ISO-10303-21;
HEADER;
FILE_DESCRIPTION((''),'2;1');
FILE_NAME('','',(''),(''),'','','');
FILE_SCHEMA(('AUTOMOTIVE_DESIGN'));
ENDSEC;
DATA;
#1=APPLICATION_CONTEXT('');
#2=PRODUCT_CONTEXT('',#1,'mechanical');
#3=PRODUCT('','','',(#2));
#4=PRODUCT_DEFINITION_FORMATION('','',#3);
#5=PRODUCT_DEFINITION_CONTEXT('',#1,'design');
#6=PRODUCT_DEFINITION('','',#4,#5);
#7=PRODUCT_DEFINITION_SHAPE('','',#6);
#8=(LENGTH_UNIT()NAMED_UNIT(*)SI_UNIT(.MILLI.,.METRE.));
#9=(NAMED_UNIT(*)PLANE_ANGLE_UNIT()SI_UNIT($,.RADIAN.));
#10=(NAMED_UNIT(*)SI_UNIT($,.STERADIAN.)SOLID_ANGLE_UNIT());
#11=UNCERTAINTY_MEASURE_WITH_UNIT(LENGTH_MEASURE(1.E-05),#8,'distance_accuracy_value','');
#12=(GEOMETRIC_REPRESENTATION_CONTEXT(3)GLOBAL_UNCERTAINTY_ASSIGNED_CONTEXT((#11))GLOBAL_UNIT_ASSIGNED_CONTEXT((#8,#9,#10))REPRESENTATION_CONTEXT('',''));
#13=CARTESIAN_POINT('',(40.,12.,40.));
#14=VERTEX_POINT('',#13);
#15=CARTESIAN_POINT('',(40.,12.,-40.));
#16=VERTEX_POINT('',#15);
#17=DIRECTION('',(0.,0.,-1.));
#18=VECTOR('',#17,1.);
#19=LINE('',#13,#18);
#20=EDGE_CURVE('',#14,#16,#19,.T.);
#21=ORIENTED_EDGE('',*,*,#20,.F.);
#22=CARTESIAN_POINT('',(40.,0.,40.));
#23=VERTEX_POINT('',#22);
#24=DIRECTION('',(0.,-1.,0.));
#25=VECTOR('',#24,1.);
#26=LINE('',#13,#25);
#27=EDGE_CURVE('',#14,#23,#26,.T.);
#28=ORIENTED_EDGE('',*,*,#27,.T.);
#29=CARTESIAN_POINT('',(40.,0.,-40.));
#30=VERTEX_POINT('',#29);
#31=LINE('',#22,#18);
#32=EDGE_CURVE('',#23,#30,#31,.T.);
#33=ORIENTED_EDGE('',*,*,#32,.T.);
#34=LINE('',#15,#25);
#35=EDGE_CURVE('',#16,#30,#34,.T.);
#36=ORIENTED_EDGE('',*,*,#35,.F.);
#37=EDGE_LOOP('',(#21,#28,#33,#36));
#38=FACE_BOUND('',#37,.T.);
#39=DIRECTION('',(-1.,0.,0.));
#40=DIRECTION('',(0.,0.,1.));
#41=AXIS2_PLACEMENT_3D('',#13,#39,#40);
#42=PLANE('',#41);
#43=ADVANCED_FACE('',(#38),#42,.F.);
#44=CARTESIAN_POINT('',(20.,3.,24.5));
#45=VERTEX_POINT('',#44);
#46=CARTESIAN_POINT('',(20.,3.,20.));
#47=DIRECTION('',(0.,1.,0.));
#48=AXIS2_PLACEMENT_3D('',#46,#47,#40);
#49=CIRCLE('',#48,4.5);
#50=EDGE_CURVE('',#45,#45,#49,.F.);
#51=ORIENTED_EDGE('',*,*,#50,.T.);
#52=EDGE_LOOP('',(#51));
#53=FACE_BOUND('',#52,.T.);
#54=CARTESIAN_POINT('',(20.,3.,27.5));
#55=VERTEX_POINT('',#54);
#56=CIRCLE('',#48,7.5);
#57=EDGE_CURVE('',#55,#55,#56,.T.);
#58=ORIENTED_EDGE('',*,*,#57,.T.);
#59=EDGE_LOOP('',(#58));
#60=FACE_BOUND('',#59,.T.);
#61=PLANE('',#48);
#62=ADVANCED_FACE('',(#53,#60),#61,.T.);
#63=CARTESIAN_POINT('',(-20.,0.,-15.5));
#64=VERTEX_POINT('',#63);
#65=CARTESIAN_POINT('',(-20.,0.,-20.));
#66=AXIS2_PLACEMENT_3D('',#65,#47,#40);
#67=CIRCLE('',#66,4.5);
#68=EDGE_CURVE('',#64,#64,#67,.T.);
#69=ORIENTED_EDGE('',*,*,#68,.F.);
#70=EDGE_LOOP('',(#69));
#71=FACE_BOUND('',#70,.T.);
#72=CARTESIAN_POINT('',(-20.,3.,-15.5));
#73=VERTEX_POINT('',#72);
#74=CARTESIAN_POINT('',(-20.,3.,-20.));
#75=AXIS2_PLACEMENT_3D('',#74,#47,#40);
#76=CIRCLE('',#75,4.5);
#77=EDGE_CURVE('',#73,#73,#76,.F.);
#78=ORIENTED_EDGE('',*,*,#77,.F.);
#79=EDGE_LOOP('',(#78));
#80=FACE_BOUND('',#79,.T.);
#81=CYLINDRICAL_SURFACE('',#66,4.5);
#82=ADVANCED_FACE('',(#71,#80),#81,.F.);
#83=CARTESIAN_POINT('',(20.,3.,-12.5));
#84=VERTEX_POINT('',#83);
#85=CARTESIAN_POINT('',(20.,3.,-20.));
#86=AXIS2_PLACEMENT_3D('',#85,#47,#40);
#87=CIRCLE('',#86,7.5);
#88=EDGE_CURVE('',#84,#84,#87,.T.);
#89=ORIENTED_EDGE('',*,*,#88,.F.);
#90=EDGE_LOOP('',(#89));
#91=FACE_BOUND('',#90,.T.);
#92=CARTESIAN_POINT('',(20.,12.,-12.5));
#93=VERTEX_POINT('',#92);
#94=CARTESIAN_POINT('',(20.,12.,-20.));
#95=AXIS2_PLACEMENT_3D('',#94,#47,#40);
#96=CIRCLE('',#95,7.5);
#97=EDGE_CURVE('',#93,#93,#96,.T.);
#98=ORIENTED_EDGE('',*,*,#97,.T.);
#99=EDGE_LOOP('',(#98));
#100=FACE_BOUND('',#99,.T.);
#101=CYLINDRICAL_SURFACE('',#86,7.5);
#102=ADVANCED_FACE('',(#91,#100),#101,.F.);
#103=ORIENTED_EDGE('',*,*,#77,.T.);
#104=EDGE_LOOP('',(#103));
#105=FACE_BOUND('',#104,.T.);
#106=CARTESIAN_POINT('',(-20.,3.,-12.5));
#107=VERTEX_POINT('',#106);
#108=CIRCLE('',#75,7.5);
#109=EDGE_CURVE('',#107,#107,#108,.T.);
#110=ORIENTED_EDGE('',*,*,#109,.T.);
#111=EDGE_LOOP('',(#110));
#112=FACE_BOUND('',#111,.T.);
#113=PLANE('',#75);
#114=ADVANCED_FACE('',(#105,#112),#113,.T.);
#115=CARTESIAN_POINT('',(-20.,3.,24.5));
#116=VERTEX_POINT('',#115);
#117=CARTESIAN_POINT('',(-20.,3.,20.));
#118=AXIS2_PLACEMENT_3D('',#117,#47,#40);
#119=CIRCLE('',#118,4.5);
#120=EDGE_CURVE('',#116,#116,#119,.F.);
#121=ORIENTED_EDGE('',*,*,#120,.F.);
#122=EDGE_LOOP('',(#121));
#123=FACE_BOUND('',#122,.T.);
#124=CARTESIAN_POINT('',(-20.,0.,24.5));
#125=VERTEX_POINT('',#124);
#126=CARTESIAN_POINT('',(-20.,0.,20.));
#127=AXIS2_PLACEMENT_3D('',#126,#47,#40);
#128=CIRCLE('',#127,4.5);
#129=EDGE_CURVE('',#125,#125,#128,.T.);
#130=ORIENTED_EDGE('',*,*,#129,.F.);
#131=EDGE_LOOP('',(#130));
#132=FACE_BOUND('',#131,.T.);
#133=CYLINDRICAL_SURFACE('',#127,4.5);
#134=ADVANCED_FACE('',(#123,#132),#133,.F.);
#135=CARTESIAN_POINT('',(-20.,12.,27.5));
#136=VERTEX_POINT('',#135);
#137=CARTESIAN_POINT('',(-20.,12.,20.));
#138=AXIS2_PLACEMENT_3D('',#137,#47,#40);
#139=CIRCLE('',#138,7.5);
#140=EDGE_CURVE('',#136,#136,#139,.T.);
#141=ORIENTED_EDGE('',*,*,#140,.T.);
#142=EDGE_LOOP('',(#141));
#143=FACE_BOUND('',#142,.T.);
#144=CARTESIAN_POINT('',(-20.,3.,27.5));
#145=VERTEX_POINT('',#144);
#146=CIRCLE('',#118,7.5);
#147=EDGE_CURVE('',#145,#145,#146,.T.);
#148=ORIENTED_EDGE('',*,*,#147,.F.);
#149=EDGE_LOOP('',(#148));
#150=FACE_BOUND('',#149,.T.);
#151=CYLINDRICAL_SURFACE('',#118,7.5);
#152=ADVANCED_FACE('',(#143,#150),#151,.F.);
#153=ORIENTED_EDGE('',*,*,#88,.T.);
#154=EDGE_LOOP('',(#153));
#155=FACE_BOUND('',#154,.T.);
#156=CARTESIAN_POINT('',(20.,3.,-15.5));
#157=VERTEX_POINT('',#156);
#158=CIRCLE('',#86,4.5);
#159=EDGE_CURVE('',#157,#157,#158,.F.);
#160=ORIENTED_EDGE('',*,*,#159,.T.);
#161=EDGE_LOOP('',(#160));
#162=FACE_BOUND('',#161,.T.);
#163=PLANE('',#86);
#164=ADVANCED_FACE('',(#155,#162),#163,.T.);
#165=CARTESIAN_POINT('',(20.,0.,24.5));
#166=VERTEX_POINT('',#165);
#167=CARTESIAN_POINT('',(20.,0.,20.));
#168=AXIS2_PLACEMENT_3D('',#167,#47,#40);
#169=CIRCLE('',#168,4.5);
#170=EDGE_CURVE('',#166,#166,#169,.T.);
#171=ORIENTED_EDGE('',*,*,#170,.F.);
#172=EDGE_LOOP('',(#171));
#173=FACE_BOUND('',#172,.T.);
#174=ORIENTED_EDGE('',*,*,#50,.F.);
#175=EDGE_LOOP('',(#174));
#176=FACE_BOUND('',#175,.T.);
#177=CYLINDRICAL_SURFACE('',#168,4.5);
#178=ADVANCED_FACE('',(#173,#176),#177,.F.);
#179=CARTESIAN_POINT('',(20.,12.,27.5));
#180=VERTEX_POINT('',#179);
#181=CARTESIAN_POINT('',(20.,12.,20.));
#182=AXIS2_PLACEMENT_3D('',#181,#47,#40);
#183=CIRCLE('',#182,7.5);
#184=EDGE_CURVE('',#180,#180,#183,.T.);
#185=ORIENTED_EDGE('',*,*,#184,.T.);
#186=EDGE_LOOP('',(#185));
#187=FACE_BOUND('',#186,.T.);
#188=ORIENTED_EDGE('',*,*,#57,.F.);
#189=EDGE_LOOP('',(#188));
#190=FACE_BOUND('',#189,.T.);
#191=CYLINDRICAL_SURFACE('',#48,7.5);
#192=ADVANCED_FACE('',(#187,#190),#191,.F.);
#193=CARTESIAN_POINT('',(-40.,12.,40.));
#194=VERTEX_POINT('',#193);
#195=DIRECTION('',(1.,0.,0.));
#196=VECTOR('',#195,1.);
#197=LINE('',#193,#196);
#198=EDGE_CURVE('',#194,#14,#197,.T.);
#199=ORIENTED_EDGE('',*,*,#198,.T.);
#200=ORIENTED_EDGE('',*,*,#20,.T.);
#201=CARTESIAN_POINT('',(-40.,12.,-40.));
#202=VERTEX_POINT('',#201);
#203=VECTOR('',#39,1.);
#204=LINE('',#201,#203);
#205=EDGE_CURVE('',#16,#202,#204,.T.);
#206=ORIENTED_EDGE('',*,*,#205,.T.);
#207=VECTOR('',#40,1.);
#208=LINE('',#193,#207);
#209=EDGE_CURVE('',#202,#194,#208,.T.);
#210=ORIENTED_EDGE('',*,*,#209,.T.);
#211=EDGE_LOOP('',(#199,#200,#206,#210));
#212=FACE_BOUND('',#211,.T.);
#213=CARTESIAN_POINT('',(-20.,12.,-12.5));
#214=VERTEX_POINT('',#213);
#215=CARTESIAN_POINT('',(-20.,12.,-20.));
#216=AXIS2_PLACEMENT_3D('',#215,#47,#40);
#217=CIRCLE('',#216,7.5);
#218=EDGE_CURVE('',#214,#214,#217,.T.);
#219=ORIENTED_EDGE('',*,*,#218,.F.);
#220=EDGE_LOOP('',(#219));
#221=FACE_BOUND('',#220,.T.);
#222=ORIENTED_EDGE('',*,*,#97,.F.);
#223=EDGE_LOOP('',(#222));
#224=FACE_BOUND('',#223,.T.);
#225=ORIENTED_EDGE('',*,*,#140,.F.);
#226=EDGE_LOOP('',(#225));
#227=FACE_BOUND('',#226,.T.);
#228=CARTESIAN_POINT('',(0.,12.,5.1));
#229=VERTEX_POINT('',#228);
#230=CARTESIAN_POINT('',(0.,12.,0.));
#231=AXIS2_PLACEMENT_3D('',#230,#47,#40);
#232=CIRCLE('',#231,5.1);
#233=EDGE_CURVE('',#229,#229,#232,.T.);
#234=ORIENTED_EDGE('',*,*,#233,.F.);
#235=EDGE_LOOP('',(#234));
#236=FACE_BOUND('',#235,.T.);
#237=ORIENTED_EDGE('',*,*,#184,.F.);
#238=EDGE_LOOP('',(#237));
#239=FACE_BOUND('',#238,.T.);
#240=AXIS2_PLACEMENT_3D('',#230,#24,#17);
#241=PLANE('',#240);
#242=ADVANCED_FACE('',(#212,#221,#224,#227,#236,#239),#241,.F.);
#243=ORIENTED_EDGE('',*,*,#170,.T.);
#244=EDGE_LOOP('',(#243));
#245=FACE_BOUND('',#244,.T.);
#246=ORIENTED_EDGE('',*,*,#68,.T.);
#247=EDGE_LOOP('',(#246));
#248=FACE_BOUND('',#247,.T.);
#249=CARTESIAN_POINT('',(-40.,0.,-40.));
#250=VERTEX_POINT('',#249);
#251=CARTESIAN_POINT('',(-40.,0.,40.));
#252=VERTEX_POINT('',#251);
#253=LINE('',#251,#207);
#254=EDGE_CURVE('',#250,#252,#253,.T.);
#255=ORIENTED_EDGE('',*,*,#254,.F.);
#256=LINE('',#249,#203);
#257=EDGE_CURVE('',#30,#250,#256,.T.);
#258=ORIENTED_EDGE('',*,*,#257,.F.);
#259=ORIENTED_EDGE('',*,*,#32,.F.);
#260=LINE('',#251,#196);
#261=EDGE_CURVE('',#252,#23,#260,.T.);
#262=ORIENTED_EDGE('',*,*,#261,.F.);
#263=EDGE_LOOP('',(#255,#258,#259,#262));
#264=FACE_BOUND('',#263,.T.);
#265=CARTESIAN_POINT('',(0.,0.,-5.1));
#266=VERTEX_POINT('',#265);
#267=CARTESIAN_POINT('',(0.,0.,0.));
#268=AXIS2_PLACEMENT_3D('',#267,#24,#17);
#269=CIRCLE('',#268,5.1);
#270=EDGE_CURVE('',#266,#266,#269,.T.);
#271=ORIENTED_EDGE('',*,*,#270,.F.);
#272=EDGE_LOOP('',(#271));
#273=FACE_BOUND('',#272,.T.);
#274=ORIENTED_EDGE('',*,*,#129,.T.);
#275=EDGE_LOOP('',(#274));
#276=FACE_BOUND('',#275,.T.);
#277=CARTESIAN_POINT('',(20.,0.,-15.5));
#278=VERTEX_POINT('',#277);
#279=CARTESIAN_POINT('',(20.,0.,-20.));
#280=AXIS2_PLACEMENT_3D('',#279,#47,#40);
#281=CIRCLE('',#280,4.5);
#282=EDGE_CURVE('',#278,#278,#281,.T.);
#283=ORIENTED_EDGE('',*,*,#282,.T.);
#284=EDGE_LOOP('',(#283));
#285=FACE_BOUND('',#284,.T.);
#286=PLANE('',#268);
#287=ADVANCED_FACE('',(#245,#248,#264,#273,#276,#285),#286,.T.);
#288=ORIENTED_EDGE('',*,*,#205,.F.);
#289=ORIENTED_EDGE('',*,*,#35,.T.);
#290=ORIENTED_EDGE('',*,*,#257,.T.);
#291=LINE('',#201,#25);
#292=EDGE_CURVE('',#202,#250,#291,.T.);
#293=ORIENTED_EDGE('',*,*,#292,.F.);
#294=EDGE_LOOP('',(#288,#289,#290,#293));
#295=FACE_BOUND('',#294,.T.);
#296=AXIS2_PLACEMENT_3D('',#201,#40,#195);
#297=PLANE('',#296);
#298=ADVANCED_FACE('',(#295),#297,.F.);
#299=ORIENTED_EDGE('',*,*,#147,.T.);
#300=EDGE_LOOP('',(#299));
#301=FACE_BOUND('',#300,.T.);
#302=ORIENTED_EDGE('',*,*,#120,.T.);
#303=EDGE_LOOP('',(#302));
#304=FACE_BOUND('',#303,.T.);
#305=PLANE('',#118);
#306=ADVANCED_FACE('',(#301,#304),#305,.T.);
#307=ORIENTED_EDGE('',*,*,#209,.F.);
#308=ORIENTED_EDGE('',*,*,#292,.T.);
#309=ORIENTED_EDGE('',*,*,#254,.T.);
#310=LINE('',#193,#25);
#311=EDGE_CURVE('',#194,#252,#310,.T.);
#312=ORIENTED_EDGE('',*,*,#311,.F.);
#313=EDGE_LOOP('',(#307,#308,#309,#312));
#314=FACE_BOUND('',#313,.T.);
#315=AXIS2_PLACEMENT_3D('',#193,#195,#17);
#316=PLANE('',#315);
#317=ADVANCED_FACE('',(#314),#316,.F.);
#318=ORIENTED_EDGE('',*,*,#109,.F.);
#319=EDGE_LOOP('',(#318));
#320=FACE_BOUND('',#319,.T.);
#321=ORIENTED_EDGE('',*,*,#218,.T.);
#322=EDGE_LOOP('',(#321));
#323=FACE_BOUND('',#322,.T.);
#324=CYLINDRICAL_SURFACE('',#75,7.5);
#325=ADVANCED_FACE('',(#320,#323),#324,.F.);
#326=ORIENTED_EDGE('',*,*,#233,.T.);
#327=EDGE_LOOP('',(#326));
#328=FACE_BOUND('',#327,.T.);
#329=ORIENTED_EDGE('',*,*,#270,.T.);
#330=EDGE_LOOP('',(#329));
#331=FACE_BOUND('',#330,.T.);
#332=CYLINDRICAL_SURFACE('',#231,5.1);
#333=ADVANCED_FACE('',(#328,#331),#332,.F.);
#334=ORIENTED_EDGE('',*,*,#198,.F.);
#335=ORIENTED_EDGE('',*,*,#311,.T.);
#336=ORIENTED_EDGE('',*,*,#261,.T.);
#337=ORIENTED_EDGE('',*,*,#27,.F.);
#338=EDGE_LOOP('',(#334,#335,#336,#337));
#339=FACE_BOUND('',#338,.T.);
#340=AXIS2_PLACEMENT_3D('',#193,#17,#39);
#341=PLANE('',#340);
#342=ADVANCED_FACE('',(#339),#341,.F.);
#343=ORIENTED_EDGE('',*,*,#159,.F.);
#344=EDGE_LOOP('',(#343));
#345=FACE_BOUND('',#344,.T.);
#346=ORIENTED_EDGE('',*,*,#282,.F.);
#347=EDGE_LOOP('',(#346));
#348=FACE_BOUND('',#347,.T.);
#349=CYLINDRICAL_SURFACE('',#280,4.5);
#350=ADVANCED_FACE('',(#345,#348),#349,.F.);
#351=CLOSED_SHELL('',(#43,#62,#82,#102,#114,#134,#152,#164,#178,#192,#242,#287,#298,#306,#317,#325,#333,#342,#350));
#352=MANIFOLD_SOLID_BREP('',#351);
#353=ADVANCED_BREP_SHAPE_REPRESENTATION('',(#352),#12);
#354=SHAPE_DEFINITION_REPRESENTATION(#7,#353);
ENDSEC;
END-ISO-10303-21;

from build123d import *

# Parameters (mm, degrees)
SKETCH_1_W             = 80
SKETCH_1_H             = 80
EXTRUDE_1_DEPTH        = 12
HOLE_WIZARD_M121_D     = 10.2
HOLE_WIZARD_M121_DEPTH = 12
SKETCH_12_R            = 4.5
CUT_EXTRUDE_1_DEPTH    = 13
SKETCH_13_R            = 7.5
CUT_EXTRUDE_2_DEPTH    = 9


with BuildPart() as part:
    # Эскиз1 → Бобышка-Вытянуть1 (new body)
    with BuildSketch(Plane(origin=(0, 0, 0), x_dir=(1, 0, 0), z_dir=(0, 1, 0))):
        Rectangle(SKETCH_1_W, SKETCH_1_H)
    extrude(amount=EXTRUDE_1_DEPTH)

    # Отверстие обработанное метчиком M121
    with Locations(Plane(origin=(0, 12, 0), x_dir=(1, 0, 0), z_dir=(0, 1, 0))):
        with Locations((0, 0)):
            Hole(HOLE_WIZARD_M121_D / 2, depth=HOLE_WIZARD_M121_DEPTH)

    # Эскиз12 → Вырез-Вытянуть1 (cut, through all)
    with BuildSketch(Plane(origin=(0, 12, 0), x_dir=(1, 0, 0), z_dir=(0, 1, 0))):
        with Locations(Location((-20, 20, 0), (0, 0, 270))):  # turned: the seam where the file's is
            Circle(SKETCH_12_R)
        with Locations(Location((20, 20, 0), (0, 0, 270))):  # turned: the seam where the file's is
            Circle(SKETCH_12_R)
        with Locations(Location((20, -20, 0), (0, 0, 270))):  # turned: the seam where the file's is
            Circle(SKETCH_12_R)
        with Locations(Location((-20, -20, 0), (0, 0, 270))):  # turned: the seam where the file's is
            Circle(SKETCH_12_R)
    extrude(amount=-CUT_EXTRUDE_1_DEPTH, mode=Mode.SUBTRACT)

    # Эскиз13 → Вырез-Вытянуть2 (cut)
    with BuildSketch(Plane(origin=(0, 12, 0), x_dir=(1, 0, 0), z_dir=(0, 1, 0))):
        with Locations(Location((-20, 20, 0), (0, 0, 270))):  # turned: the seam where the file's is
            Circle(SKETCH_13_R)
        with Locations(Location((20, 20, 0), (0, 0, 270))):  # turned: the seam where the file's is
            Circle(SKETCH_13_R)
        with Locations(Location((20, -20, 0), (0, 0, 270))):  # turned: the seam where the file's is
            Circle(SKETCH_13_R)
        with Locations(Location((-20, -20, 0), (0, 0, 270))):  # turned: the seam where the file's is
            Circle(SKETCH_13_R)
    extrude(amount=-CUT_EXTRUDE_2_DEPTH, mode=Mode.SUBTRACT)


solid = part.part
